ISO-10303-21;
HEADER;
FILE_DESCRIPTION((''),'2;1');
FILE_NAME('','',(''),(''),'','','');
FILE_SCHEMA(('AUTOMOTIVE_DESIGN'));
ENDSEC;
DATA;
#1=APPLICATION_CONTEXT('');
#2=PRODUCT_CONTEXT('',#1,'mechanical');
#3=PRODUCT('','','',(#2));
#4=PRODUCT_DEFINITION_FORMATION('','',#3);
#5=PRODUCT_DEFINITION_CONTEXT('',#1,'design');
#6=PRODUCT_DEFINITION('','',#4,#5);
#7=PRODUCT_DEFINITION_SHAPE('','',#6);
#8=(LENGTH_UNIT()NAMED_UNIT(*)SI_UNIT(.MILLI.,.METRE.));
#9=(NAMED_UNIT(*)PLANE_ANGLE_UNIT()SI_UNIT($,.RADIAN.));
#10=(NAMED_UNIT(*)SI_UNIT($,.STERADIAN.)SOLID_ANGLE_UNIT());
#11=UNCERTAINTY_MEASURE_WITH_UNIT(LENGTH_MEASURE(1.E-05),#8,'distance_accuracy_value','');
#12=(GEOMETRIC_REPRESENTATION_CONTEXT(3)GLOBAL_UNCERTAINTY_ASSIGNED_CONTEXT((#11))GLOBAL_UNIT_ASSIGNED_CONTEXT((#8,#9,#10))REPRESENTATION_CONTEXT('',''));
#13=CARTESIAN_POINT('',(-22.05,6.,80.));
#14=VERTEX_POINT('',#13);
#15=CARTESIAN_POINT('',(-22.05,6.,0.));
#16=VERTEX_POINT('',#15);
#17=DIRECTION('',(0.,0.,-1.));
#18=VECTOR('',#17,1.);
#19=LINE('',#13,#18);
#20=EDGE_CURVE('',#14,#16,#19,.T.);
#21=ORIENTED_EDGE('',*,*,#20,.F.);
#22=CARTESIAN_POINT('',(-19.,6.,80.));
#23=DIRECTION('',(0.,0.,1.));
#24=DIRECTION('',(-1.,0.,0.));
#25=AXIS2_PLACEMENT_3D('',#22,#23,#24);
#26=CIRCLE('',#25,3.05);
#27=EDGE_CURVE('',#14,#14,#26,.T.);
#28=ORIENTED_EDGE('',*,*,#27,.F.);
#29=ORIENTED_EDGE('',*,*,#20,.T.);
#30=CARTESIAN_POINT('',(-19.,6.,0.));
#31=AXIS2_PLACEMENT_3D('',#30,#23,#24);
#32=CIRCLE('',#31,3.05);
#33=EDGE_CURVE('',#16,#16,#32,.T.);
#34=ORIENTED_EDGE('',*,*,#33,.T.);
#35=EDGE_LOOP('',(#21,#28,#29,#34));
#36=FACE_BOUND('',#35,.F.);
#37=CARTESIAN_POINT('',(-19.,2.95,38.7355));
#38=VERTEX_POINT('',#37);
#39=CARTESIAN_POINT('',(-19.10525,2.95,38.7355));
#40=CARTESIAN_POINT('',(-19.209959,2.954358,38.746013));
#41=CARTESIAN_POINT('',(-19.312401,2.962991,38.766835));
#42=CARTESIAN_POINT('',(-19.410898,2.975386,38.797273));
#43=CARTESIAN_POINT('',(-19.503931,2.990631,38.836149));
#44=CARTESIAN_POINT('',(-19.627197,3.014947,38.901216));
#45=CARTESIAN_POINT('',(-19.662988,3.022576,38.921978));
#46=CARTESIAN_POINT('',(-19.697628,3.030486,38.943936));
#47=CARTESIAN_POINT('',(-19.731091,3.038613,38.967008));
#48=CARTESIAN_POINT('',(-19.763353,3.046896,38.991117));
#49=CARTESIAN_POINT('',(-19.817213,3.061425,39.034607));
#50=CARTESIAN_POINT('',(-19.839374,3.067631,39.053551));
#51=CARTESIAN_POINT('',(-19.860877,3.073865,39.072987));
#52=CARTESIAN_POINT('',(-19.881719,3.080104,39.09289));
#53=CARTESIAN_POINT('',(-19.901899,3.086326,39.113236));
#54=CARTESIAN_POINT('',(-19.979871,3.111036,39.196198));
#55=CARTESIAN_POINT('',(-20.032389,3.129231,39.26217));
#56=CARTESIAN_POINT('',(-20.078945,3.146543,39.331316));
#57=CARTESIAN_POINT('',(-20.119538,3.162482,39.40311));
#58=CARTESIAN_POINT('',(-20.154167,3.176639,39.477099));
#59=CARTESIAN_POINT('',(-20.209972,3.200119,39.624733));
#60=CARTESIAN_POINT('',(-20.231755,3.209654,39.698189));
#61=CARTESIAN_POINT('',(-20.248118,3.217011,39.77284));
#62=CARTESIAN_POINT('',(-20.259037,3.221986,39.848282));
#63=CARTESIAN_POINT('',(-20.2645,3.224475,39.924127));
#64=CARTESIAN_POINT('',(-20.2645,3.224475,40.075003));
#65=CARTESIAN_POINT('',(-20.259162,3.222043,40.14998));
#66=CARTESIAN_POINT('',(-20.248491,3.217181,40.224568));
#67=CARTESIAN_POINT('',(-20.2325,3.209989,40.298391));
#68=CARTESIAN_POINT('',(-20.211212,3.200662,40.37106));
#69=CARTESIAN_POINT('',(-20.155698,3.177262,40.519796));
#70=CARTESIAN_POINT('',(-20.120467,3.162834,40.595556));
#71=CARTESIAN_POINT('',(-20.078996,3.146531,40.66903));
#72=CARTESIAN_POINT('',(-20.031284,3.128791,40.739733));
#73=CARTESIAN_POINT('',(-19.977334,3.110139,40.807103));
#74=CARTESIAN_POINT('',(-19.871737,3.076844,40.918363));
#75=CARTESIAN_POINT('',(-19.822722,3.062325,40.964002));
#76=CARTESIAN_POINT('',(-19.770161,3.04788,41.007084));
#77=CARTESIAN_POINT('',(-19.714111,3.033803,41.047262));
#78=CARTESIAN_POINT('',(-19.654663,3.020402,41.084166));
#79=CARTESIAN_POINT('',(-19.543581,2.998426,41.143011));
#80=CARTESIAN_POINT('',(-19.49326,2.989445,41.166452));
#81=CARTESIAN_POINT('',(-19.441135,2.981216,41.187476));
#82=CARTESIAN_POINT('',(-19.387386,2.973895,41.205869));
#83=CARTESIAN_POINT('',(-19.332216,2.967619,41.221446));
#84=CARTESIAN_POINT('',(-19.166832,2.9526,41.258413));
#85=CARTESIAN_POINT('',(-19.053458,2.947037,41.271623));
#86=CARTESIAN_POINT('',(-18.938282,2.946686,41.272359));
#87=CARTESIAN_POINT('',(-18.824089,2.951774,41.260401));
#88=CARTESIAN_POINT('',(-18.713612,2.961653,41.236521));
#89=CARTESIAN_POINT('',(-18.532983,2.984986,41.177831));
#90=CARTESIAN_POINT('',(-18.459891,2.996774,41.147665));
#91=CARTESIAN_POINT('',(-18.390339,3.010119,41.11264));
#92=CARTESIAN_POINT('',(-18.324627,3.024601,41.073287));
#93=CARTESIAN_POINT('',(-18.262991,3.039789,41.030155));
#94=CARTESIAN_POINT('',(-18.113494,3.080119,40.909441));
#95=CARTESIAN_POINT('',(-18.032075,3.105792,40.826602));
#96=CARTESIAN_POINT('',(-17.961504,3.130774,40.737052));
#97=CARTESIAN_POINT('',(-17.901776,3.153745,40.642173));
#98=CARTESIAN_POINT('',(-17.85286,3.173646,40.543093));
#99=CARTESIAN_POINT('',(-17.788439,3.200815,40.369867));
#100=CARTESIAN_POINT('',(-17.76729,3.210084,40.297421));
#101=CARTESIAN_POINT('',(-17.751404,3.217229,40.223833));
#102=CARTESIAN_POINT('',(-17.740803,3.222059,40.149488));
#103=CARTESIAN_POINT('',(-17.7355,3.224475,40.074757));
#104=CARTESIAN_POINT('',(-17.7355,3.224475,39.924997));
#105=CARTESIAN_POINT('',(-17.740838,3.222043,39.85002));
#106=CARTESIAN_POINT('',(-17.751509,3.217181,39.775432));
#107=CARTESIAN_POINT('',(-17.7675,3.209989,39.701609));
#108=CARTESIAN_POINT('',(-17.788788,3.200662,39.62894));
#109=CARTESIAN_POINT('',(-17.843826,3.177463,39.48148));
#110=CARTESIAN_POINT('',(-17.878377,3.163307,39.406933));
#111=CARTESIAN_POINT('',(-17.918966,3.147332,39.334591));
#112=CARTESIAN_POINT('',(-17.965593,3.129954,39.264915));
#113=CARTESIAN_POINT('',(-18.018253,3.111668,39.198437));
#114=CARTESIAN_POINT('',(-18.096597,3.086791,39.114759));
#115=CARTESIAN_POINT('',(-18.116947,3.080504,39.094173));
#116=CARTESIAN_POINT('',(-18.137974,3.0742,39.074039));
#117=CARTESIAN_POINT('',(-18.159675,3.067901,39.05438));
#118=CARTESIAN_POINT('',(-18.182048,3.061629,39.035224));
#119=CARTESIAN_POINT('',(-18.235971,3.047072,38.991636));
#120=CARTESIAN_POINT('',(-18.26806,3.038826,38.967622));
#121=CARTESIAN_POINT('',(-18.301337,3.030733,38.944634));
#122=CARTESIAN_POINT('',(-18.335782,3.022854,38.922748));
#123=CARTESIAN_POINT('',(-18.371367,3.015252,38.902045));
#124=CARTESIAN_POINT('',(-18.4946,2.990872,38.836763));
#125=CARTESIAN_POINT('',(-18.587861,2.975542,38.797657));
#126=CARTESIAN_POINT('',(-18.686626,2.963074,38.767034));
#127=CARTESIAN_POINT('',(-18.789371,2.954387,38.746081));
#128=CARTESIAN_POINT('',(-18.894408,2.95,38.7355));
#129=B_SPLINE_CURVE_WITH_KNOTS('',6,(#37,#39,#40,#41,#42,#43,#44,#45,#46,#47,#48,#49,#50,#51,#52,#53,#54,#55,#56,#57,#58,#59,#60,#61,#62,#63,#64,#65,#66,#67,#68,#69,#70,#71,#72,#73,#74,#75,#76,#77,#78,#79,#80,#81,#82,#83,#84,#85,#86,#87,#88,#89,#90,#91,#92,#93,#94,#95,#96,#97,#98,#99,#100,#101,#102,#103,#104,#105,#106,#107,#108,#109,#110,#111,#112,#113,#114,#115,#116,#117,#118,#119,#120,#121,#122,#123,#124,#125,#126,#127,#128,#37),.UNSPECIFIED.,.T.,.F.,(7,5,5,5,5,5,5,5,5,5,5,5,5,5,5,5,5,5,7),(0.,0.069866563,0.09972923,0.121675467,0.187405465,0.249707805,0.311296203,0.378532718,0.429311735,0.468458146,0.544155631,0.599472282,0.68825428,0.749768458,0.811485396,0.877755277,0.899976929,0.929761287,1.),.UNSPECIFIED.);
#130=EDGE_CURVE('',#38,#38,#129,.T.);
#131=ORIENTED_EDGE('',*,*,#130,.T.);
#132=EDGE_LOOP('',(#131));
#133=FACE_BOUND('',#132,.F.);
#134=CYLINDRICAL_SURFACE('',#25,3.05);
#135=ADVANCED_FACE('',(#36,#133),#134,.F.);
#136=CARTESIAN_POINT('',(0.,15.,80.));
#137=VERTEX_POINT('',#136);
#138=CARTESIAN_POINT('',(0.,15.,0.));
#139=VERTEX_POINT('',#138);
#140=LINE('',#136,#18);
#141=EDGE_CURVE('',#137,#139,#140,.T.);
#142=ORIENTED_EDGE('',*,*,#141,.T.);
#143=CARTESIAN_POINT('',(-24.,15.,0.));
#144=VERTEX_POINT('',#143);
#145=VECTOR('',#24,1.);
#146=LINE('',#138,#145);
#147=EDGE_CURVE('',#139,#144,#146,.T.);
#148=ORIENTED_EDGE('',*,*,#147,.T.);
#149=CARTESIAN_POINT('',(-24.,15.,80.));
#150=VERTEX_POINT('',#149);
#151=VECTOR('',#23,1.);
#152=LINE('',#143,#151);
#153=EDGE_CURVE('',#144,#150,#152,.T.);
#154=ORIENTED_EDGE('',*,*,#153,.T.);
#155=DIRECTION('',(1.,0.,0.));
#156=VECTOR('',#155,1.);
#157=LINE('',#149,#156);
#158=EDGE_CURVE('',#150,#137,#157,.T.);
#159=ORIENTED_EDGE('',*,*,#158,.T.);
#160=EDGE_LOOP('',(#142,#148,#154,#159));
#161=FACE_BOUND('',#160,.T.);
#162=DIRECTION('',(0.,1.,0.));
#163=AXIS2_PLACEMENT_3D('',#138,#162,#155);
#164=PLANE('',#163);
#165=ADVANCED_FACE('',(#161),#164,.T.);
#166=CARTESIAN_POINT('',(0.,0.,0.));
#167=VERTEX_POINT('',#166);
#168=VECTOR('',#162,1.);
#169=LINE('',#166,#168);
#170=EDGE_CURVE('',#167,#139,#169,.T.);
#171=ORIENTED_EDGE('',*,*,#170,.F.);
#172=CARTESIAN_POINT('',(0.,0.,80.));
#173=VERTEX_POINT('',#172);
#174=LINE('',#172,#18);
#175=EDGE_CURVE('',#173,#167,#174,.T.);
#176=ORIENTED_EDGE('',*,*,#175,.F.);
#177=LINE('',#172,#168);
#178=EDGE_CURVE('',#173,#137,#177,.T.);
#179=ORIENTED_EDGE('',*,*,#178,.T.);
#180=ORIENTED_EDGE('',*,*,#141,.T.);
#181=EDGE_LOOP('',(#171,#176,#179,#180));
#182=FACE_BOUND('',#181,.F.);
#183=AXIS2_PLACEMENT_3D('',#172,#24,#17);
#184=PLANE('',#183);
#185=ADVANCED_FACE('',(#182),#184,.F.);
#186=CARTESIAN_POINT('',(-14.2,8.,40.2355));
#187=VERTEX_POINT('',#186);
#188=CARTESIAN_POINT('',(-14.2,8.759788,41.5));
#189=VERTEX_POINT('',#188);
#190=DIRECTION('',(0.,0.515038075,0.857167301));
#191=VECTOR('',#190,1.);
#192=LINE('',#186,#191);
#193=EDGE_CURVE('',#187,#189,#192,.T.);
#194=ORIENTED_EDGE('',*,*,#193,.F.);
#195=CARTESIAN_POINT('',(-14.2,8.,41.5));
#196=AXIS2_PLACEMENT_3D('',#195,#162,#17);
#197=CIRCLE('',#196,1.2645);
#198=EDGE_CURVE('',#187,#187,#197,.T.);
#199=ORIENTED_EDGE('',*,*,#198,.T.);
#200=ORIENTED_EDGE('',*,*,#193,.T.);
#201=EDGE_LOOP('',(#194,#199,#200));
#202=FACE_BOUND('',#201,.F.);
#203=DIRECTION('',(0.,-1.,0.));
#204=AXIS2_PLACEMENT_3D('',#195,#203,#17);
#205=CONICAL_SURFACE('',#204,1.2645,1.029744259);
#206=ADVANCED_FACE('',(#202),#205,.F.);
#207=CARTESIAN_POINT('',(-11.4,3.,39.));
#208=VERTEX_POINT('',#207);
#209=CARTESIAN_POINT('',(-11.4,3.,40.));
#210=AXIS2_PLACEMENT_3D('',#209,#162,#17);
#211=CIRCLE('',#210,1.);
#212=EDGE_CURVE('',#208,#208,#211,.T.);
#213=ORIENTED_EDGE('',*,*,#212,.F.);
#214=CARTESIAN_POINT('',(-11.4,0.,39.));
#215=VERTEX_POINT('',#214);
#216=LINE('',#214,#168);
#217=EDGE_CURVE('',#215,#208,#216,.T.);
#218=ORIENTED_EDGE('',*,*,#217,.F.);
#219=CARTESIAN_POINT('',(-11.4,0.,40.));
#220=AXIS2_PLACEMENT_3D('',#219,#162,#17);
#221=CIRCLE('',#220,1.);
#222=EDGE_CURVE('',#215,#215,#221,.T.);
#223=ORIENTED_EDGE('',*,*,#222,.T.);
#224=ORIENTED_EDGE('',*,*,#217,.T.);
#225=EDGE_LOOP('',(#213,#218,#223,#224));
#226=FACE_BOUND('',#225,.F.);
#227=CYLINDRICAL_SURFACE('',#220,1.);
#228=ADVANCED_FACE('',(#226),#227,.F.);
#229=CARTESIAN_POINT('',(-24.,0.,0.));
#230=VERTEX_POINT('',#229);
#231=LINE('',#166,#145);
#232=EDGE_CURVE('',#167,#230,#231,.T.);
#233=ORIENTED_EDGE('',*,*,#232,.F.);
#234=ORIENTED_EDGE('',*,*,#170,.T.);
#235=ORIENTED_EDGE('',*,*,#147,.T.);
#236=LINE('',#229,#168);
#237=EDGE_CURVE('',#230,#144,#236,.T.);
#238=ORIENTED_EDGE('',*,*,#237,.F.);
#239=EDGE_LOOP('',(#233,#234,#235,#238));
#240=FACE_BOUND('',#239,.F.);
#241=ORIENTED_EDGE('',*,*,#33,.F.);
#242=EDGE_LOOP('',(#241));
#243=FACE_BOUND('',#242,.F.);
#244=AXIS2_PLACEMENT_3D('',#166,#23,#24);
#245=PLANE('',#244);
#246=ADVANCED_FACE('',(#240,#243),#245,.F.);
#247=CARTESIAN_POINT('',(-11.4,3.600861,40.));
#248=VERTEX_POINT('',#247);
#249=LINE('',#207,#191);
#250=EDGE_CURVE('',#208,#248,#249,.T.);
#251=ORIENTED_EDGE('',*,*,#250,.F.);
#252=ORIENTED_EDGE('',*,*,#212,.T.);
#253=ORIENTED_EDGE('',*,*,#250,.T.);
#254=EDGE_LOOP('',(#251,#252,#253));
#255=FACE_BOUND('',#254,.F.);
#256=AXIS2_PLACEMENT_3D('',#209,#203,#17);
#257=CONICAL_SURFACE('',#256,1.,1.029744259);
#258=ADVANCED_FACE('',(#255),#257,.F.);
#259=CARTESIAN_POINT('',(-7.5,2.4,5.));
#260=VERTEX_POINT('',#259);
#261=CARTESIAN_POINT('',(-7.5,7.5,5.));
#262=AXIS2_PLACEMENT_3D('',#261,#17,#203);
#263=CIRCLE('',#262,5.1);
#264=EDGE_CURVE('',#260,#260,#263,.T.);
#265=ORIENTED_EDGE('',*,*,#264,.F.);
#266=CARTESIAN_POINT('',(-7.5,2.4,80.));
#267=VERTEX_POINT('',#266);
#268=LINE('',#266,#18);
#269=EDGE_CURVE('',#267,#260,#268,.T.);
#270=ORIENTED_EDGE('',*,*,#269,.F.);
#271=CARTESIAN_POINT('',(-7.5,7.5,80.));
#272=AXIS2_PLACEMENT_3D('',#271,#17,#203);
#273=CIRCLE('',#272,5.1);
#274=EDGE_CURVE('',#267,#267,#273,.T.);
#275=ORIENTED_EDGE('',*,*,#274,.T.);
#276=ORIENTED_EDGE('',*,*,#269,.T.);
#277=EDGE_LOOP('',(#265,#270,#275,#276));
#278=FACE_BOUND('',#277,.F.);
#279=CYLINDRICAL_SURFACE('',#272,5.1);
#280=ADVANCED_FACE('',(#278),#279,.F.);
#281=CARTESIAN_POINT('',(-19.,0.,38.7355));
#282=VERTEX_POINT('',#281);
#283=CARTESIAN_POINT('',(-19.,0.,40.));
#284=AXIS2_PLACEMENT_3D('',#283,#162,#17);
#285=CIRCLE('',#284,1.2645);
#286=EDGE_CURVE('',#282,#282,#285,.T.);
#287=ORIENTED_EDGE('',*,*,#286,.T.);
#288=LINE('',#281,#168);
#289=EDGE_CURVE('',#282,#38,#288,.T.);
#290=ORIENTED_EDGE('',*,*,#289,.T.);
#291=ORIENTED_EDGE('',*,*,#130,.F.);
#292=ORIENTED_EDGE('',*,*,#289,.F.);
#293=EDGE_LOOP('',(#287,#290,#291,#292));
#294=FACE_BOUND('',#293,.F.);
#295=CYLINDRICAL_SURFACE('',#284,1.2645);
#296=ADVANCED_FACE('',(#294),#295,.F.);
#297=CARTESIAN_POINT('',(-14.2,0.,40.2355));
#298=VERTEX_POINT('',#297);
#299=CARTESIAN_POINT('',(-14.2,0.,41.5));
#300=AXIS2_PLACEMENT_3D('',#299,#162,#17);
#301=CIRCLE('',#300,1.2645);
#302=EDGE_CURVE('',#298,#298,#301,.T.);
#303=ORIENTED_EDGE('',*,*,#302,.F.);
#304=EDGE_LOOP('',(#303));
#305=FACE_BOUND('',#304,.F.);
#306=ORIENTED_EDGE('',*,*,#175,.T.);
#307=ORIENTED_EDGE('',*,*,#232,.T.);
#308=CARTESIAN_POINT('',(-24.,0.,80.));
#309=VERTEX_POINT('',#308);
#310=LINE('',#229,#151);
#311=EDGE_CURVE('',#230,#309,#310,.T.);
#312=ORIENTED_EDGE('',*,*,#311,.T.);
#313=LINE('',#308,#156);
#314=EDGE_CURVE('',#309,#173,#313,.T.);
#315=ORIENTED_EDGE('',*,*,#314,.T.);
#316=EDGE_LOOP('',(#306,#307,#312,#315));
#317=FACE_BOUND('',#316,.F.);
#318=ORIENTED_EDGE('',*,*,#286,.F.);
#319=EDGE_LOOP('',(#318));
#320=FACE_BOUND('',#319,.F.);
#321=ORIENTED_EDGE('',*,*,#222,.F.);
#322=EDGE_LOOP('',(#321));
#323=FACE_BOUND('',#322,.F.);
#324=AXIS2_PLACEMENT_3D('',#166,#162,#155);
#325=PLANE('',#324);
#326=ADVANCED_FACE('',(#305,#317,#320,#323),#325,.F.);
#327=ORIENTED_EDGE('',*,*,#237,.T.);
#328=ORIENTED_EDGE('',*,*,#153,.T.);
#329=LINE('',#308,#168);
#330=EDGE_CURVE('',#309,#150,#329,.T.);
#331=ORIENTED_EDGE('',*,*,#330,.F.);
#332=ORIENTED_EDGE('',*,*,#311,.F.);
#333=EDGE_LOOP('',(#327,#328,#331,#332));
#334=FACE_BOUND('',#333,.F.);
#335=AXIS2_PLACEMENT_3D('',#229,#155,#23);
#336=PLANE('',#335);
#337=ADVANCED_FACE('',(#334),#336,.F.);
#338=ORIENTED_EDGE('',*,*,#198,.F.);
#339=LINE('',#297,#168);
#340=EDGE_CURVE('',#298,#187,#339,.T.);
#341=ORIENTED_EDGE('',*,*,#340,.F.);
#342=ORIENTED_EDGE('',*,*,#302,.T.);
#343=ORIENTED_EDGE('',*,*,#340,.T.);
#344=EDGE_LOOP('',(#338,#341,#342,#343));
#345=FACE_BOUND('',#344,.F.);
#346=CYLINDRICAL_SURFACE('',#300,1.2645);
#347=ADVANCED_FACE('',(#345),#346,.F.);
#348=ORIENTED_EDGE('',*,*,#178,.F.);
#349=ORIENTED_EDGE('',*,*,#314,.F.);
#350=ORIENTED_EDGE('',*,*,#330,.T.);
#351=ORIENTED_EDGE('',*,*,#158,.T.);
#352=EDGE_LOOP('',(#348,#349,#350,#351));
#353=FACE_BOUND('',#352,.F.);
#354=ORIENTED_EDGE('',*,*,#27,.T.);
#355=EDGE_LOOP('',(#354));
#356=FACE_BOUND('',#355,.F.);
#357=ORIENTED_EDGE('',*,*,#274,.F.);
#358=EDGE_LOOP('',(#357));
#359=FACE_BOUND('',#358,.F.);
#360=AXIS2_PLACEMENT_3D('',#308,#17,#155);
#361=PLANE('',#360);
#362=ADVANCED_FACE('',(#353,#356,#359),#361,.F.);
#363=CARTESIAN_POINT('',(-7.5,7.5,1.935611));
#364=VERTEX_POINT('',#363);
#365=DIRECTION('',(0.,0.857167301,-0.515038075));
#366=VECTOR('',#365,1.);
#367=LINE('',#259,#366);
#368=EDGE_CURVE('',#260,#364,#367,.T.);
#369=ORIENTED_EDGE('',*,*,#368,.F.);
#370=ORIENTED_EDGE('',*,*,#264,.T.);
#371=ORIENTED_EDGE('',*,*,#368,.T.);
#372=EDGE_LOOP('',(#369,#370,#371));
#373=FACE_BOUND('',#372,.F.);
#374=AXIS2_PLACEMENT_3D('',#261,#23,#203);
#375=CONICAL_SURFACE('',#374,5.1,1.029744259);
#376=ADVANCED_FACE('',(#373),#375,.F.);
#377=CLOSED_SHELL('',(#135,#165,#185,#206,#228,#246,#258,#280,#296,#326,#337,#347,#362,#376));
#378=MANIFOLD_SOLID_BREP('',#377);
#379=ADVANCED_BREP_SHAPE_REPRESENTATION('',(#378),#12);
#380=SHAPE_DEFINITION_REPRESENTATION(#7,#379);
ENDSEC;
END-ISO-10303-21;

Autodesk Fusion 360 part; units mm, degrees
sketch "Sketch1" plane through (0, 0, 0) normal (0, 1, 0) x (1, 0, 0)
  line L0 (0, 0) -> (-24, 0)
  line L1 (-24, 0) -> (-24, -80)
  line L2 (-24, -80) -> (0, -80)
  line L3 (0, -80) -> (0, 0)
  line L4 (-2.4, -80) -> (-2.4, 0) construction
  line L5 (-12.6, 0) -> (-12.6, -80) construction
  line L6 (-22.05, 0) -> (-22.05, -80) construction
  line L7 (-15.95, 0) -> (-15.95, -80) construction
  line L8 (-12.6, -40) -> (-2.4, -40) construction
  line L9 (-7.5, -40) -> (-7.5, 0) construction
  line L10 (-22.05, -40) -> (-15.95, -40) construction
  line L11 (-22.05, -40) -> (-24, -40) construction
  line L12 (-2.4, -40) -> (0, -40) construction
  line L13 (-12.6, -5) -> (-2.4, -5) construction
  line L14 (-14.2, -41.5) -> (-11.4, -41.5) construction
  line L15 (-11.4, -41.5) -> (-11.4, -40) construction
  line L16 (-11.4, -40) -> (-14.2, -40) construction
  line L17 (-14.2, -40) -> (-14.2, -41.5) construction
  point P0 (-19, -40)
  point P1 (-14.2, -41.5)
  point P2 (-11.4, -40)
  dimension "d1" = 24
  dimension "d2" = 80
  dimension "d3" = 10.2
  dimension "d5" = 6.1
  dimension "d7" = 5
  dimension "d8" = 7.5
  dimension "d9" = 75
  dimension "d12" = 1.5
  dimension "d13" = 2.8
  dimension "d14" = 1.2
extrude "Extrude1" add sketch "Sketch1" along normal blind 15
sketch "Sketch2" plane through (0, 0, 80) normal (0, 0, 1) x (-1, 0, 0)
  line L0 (24, 0) -> (0, 0)
  line L1 (0, 0) -> (0, -15)
  line L2 (0, -15) -> (24, -15)
  line L3 (24, -15) -> (24, 0)
  line L4 (15.95, 0) -> (15.95, -15) construction
  line L5 (22.05, 0) -> (22.05, -15) construction
  line L6 (12.6, 0) -> (12.6, -15) construction
  line L7 (2.4, 0) -> (2.4, -15) construction
  line L8 (12.6, -7.5) -> (2.4, -7.5) construction
  line L9 (15.95, -6) -> (22.05, -6) construction
  circle A0 centre (7.5, -7.5) radius 5.1
  circle A1 centre (19, -6) radius 3.05
  point P0 (22.05, 0)
  point P1 (15.95, 0)
  point P2 (12.6, 0)
  point P3 (2.4, 0)
  point P4 (19, 0)
  dimension "d15" = 6
extrude "Extrude2" cut sketch "Sketch2" against normal through all contours A1
hole "Hole1" at (-7.5, 7.5, 80) direction (0, 0, -1) diameter 10.2 depth 75 tip angle 118
hole "Hole2" at (-14.2, 0, 41.5) direction (0, 1, 0) diameter 2.529 depth 8 tip angle 118
hole "Hole3" at (-19, 0, 40) direction (0, 1, 0) diameter 2.529 depth 6 tip angle 118
hole "Hole4" at (-11.4, 0, 40) direction (0, 1, 0) diameter 2 depth 3 tip angle 118
